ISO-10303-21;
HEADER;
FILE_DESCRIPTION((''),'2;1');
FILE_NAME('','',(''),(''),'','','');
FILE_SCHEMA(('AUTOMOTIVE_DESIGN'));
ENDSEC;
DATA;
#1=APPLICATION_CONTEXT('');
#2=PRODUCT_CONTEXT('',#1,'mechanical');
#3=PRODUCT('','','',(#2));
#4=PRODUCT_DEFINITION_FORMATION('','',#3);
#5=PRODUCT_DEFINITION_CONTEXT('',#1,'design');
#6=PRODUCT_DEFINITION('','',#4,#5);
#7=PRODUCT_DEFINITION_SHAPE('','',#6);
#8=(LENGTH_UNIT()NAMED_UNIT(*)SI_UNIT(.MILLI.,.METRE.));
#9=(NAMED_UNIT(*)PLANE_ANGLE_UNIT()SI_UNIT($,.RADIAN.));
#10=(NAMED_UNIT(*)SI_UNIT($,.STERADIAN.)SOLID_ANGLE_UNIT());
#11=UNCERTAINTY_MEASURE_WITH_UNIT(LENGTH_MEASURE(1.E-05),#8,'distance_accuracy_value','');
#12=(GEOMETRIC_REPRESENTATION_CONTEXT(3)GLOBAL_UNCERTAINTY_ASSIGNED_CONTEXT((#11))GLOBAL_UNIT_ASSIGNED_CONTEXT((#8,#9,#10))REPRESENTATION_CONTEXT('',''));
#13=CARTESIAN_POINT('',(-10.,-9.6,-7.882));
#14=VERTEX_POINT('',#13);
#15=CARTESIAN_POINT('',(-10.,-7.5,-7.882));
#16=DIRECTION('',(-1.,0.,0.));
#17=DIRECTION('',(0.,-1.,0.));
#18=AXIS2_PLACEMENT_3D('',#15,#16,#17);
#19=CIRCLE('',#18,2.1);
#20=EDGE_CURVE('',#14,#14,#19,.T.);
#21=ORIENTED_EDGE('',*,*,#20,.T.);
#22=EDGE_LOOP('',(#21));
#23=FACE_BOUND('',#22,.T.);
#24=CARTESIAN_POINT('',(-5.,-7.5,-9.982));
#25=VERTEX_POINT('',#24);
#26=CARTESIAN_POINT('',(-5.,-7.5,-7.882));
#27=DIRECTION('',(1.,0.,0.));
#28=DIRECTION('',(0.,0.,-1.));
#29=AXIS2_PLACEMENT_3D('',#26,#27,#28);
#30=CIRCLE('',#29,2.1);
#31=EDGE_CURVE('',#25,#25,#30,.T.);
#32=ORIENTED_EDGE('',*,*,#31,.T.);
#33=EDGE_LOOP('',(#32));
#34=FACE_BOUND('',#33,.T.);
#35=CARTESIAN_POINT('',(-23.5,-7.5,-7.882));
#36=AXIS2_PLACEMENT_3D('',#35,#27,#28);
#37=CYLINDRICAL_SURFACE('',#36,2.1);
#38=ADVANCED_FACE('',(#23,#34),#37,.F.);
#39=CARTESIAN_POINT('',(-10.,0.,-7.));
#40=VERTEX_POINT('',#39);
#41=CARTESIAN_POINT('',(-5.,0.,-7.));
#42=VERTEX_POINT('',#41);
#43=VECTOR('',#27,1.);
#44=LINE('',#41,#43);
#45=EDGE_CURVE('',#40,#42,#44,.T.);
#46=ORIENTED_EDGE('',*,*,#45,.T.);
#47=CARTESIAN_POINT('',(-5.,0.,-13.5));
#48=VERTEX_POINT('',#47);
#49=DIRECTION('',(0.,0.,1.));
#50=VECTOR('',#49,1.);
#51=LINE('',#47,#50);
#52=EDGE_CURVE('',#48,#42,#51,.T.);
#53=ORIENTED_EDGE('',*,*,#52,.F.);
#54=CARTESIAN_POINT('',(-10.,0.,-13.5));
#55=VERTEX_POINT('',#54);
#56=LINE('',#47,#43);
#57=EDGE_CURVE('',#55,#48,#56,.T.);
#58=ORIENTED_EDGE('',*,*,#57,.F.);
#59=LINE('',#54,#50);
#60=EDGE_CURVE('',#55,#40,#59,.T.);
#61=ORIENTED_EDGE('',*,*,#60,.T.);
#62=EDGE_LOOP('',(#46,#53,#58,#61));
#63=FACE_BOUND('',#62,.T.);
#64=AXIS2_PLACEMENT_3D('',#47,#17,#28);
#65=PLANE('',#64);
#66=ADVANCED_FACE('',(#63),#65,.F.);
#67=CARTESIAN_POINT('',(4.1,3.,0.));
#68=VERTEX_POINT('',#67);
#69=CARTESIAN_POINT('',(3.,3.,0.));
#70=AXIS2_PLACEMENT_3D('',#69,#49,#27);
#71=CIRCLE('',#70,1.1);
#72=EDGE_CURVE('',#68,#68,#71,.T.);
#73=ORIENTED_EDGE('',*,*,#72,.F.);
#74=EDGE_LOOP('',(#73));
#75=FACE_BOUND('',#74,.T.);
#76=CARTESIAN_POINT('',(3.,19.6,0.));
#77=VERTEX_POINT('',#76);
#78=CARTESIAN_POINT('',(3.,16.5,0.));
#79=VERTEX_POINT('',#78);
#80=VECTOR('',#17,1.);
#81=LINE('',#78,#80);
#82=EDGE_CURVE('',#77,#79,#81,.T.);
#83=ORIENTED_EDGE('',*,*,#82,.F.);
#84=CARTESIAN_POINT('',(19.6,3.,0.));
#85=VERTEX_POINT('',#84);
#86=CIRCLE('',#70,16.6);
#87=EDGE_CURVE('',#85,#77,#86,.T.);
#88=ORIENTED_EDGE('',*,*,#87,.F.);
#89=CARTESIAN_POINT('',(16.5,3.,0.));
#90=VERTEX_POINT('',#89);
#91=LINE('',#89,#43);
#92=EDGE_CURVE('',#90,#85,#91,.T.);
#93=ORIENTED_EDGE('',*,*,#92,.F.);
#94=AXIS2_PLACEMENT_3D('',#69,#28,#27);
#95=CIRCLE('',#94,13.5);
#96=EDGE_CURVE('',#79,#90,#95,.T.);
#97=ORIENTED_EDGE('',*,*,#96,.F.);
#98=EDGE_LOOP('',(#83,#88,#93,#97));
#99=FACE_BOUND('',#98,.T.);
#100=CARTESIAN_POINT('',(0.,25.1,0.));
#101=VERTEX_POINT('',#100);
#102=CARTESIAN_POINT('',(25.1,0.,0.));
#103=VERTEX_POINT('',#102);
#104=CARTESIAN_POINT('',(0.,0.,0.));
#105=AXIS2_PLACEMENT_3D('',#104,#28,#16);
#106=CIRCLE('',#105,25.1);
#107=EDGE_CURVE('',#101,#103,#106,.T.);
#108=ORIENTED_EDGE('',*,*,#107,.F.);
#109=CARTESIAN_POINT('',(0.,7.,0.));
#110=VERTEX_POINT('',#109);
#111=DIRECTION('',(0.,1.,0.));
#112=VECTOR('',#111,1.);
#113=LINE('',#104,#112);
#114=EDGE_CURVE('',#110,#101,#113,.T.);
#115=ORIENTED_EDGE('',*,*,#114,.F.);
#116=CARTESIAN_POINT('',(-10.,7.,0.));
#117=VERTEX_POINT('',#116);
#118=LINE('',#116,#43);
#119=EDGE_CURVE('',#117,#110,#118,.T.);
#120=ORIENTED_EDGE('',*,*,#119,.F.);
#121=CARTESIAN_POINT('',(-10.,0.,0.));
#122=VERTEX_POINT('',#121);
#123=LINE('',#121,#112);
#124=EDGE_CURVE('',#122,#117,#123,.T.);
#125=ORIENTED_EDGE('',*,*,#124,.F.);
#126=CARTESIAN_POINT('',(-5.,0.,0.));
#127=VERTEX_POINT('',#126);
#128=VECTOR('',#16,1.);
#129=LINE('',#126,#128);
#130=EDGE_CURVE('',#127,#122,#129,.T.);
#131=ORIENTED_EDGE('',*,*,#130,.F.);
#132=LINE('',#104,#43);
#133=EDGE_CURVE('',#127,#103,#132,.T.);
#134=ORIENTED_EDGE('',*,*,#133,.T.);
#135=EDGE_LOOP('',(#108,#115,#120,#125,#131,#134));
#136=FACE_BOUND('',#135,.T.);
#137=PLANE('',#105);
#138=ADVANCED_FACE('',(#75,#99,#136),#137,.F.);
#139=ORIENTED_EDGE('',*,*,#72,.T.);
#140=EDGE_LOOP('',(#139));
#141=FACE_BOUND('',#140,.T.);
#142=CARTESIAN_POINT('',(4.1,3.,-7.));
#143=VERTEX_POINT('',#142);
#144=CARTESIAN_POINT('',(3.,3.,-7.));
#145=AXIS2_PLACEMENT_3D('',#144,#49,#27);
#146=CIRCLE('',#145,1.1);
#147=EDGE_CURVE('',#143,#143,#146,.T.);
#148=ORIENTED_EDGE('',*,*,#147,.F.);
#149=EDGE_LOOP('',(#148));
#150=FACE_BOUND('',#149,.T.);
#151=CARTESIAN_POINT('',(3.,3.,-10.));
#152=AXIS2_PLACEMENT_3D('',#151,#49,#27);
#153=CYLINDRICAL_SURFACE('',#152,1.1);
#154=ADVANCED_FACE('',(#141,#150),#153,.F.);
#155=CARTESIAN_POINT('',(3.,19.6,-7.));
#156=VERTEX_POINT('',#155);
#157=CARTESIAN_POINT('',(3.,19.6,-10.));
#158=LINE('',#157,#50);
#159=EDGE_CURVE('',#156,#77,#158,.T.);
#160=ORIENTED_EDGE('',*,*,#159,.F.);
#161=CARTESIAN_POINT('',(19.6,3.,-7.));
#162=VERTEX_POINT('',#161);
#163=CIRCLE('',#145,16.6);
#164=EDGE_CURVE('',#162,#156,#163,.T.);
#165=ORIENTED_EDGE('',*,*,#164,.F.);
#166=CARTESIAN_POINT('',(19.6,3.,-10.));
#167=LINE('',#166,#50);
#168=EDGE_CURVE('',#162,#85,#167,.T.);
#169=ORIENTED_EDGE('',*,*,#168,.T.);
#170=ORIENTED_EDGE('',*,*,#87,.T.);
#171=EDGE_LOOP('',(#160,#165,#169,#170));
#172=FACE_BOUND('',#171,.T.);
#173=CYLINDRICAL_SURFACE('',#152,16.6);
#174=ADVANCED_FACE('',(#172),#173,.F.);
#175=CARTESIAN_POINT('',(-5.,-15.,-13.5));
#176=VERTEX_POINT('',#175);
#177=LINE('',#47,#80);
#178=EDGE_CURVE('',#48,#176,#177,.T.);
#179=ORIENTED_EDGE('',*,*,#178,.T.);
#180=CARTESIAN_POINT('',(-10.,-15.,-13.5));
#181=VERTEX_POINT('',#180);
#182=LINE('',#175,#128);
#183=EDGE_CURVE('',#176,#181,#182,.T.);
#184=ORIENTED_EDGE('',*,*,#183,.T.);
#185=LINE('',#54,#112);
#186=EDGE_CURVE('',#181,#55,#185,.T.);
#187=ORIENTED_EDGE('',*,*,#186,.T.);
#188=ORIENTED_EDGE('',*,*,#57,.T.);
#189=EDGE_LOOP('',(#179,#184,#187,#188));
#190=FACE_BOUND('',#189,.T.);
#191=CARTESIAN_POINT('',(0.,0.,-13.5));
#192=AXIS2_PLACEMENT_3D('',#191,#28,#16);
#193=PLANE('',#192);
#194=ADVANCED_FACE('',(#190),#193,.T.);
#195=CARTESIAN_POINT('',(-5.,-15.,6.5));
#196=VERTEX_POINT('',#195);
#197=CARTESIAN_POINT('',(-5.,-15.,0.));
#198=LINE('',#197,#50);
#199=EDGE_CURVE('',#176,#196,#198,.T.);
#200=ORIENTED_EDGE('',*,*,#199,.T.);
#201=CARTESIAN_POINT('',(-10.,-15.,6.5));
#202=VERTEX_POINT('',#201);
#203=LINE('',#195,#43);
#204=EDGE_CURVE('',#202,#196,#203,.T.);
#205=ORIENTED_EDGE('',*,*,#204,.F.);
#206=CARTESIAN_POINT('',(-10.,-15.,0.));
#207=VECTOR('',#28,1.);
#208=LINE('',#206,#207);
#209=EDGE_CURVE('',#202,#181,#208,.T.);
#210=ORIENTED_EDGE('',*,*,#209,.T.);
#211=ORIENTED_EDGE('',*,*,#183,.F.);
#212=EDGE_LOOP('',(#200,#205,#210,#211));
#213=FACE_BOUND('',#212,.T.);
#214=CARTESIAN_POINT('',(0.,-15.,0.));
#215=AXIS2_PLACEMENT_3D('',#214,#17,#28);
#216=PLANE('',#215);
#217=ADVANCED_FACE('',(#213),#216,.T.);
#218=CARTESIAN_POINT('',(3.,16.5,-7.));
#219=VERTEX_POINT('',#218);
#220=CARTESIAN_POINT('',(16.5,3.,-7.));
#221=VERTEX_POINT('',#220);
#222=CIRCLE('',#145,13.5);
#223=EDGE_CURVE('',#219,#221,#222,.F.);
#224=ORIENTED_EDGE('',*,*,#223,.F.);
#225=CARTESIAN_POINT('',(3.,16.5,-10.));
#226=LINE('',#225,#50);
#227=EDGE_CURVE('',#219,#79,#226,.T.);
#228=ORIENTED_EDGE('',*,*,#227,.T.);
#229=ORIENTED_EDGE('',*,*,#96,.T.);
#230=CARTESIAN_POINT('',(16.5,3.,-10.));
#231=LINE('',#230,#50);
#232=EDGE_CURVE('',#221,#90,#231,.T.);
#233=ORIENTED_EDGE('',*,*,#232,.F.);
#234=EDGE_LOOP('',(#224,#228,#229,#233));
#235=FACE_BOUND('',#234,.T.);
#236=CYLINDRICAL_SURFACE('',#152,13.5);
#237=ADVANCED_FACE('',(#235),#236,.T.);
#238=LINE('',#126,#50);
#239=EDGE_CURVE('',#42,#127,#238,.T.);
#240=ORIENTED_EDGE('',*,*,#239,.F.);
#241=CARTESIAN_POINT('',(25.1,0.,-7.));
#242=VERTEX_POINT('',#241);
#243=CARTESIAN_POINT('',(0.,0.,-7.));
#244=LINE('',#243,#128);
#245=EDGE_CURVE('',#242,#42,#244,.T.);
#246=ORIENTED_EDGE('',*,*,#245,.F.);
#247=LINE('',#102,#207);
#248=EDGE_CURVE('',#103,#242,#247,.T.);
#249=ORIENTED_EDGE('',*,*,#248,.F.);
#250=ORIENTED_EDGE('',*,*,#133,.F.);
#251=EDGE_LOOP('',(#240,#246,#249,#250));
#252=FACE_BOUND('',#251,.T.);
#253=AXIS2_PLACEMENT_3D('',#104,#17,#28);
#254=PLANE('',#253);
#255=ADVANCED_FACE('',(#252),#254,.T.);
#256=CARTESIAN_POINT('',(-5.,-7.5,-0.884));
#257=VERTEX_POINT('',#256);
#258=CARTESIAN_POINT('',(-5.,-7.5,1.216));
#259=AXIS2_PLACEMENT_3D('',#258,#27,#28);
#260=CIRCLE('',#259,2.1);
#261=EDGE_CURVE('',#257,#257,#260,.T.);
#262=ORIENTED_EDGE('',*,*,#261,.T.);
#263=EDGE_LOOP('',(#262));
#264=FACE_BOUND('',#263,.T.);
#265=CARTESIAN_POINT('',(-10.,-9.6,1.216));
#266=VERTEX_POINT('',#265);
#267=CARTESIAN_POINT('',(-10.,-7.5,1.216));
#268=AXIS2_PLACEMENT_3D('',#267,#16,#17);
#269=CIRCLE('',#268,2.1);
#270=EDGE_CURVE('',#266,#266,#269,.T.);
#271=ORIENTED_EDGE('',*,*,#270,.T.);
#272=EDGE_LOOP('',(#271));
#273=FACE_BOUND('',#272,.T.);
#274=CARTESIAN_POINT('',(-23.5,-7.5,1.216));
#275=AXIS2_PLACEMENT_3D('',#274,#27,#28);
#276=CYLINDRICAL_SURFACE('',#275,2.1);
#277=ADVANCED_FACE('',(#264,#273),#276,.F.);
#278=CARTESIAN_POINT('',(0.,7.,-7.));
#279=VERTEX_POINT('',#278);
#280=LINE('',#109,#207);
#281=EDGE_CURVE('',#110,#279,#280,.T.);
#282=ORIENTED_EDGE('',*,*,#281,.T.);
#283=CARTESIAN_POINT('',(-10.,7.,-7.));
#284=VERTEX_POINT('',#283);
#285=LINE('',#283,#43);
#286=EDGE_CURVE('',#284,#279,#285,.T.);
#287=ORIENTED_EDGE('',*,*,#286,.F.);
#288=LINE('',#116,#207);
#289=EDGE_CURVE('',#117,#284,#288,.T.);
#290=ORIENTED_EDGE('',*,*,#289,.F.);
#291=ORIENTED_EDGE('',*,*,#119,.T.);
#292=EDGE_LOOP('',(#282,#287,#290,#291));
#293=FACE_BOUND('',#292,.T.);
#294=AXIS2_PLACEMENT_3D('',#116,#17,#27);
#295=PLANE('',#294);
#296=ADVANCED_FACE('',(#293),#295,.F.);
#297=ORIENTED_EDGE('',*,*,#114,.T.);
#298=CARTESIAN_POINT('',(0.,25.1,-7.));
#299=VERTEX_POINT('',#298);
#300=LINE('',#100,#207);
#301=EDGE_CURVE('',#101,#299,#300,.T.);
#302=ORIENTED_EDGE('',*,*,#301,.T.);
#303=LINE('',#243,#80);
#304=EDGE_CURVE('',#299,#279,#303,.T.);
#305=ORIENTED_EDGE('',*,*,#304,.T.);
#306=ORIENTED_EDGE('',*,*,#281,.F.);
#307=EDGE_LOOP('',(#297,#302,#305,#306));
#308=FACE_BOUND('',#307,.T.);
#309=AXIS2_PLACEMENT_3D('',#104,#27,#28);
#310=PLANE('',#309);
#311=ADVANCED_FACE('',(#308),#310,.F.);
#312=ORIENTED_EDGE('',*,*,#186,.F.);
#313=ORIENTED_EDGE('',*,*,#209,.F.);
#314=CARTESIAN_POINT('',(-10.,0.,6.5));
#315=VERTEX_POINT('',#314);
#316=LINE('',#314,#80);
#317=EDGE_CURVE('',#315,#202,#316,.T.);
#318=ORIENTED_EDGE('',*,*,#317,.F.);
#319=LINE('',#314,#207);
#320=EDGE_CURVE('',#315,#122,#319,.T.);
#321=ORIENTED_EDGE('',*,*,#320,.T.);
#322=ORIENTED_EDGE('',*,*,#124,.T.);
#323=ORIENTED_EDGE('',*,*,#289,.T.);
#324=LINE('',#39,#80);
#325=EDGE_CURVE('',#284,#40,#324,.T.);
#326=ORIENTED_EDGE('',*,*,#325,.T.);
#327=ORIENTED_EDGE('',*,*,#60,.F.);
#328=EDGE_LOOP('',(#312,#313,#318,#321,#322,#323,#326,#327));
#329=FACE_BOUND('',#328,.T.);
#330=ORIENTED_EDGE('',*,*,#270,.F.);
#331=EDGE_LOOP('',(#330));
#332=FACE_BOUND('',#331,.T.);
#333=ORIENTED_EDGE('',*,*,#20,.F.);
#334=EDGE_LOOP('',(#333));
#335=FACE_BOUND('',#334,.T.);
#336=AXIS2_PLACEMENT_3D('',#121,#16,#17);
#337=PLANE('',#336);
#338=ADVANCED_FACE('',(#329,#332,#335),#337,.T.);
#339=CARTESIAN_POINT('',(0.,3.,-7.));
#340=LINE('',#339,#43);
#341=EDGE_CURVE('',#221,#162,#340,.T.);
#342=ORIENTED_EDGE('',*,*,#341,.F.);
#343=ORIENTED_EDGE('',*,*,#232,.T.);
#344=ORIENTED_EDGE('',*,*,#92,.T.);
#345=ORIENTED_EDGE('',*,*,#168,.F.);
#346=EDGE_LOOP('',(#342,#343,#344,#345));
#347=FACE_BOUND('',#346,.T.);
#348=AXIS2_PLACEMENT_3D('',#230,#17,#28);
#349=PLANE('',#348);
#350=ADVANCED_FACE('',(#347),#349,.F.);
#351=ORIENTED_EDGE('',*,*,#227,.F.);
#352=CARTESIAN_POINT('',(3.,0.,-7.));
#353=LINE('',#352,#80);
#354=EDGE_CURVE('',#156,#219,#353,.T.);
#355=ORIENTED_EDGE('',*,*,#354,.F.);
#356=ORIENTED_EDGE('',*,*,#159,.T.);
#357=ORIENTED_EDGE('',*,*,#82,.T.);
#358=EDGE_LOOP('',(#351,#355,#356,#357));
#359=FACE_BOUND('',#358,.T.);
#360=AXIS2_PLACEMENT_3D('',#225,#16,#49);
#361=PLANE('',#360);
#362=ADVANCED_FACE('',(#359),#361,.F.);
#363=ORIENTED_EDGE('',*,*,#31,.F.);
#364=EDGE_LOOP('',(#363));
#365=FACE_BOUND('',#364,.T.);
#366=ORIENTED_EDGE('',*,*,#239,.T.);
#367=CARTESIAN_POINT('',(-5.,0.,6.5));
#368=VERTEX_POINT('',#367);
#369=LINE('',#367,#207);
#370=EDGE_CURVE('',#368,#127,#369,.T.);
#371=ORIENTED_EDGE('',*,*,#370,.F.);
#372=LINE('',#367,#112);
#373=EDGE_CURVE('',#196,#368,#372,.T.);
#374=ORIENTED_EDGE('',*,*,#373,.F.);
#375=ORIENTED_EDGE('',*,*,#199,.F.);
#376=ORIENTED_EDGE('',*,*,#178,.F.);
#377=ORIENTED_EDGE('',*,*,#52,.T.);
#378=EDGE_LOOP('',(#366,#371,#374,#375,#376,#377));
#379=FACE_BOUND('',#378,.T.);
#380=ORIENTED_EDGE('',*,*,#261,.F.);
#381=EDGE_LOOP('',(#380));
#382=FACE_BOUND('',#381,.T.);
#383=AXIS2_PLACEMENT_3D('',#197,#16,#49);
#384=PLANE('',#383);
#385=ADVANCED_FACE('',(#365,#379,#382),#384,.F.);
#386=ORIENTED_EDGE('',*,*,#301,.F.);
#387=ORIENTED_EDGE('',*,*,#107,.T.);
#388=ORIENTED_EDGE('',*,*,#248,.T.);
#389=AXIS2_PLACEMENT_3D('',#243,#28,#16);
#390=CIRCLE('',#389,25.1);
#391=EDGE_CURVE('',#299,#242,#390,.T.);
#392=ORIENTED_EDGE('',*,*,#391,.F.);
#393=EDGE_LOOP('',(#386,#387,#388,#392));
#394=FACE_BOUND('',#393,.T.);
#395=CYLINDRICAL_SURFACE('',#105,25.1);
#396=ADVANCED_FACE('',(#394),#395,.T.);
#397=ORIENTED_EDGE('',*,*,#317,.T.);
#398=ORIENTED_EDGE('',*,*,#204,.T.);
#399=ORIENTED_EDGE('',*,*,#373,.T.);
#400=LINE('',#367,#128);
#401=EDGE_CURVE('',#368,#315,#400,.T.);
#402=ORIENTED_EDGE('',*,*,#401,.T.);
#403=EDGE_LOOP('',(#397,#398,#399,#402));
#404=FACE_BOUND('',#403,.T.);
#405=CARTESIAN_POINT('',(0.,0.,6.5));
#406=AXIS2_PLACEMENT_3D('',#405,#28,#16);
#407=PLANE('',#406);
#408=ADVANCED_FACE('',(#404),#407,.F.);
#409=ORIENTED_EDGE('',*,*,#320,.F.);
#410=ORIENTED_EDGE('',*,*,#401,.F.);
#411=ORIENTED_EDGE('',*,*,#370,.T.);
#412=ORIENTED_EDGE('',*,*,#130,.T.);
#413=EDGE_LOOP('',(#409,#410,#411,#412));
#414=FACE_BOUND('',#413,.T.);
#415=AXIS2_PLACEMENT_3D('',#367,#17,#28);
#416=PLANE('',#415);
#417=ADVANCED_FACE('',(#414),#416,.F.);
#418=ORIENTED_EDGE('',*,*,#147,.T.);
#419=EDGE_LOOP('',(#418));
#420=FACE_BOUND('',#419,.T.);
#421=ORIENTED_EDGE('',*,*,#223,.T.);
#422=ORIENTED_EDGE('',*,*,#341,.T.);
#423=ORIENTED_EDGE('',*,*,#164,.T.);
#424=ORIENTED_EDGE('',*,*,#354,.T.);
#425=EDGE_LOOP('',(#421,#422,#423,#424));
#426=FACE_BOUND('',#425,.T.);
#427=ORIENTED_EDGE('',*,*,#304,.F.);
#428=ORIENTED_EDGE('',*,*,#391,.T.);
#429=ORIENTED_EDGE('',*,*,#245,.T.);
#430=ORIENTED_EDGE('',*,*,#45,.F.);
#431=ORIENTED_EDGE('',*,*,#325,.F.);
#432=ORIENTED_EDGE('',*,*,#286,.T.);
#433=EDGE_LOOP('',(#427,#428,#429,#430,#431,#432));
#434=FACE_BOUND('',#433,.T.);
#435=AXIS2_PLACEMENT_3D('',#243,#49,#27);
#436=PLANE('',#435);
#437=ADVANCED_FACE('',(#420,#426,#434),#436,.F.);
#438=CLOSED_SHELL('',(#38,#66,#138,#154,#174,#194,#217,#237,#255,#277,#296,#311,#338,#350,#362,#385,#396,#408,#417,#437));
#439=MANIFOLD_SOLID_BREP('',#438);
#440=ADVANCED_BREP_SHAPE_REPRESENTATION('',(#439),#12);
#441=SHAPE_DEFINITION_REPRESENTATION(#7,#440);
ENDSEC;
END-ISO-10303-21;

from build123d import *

# Parameters (mm, degrees)
SKETCH1_W           = 25.1
SKETCH1_H           = 7
REVOLVE1_ANGLE      = 90
SKETCH2_W           = 7
SKETCH2_H           = 7
BOSS_EXTRUDE1_DEPTH = 10
SKETCH6_W           = 5
SKETCH6_H           = 7
BOSS_EXTRUDE2_DEPTH = 15
SKETCH7_W           = 5
SKETCH7_H           = 15
BOSS_EXTRUDE3_DEPTH = 6.5
SKETCH8_W           = 5
SKETCH8_H           = 15
BOSS_EXTRUDE4_DEPTH = 6.5
SKETCH10_R          = 2.1
CUT_EXTRUDE8_DEPTH  = 18.5
SKETCH12_R          = 1.1
CUT_EXTRUDE11_DEPTH = 10


with BuildPart() as part:
    # Sketch1 → Revolve1 (revolve)
    with BuildSketch(Plane(origin=(0, 0, 0), x_dir=(1, 0, 0), z_dir=(0, 1, 0))):
        with Locations((12.55, 3.5)):
            Rectangle(SKETCH1_W, SKETCH1_H)
    revolve(axis=Axis((0, 0, 0), (0, 0, 1)), revolution_arc=REVOLVE1_ANGLE)

    # Sketch2 → Boss-Extrude1 (add)
    with BuildSketch(Plane.ZY):
        with Locations((-3.5, 3.5)):
            Rectangle(SKETCH2_W, SKETCH2_H)
    extrude(amount=BOSS_EXTRUDE1_DEPTH)

    # Sketch6 → Boss-Extrude2 (add)
    with BuildSketch(Plane(origin=(0, 0, 0), x_dir=(-1, 0, 0), z_dir=(0, -1, 0))):
        with Locations((7.5, 3.5)):
            Rectangle(SKETCH6_W, SKETCH6_H)
    extrude(amount=BOSS_EXTRUDE2_DEPTH)

    # Sketch7 → Boss-Extrude3 (add)
    with BuildSketch(Plane.XY):
        with Locations((-7.5, -7.5)):
            Rectangle(SKETCH7_W, SKETCH7_H)
    extrude(amount=BOSS_EXTRUDE3_DEPTH)

    # Sketch8 → Boss-Extrude4 (add)
    with BuildSketch(Plane(origin=(0, 0, -7), x_dir=(-1, 0, 0), z_dir=(0, 0, -1))):
        with Locations((7.5, -7.5)):
            Rectangle(SKETCH8_W, SKETCH8_H)
    extrude(amount=BOSS_EXTRUDE4_DEPTH)

    # Sketch10 → Cut-Extrude8 (cut)
    with BuildSketch(Plane(origin=(-5, 0, 0), x_dir=(0, 0, -1), z_dir=(1, 0, 0))):
        with Locations((-1.216, -7.5)):
            Circle(SKETCH10_R)
        with Locations((7.882, -7.5)):
            Circle(SKETCH10_R)
    extrude(amount=-CUT_EXTRUDE8_DEPTH, mode=Mode.SUBTRACT)

    # Sketch12 → Cut-Extrude11 (cut)
    with BuildSketch(Plane.XY):
        with Locations((3, 3)):
            Circle(SKETCH12_R)
        with BuildLine():
            Line((3, 16.5), (3, 19.6))
            ThreePointArc((3, 19.6), (14.737972568, 14.737972568), (19.6, 3))
            Line((19.6, 3), (16.5, 3))
            ThreePointArc((16.5, 3), (12.545941546, 12.545941546), (3, 16.5))
        make_face()
    extrude(amount=-CUT_EXTRUDE11_DEPTH, mode=Mode.SUBTRACT)


solid = part.part
